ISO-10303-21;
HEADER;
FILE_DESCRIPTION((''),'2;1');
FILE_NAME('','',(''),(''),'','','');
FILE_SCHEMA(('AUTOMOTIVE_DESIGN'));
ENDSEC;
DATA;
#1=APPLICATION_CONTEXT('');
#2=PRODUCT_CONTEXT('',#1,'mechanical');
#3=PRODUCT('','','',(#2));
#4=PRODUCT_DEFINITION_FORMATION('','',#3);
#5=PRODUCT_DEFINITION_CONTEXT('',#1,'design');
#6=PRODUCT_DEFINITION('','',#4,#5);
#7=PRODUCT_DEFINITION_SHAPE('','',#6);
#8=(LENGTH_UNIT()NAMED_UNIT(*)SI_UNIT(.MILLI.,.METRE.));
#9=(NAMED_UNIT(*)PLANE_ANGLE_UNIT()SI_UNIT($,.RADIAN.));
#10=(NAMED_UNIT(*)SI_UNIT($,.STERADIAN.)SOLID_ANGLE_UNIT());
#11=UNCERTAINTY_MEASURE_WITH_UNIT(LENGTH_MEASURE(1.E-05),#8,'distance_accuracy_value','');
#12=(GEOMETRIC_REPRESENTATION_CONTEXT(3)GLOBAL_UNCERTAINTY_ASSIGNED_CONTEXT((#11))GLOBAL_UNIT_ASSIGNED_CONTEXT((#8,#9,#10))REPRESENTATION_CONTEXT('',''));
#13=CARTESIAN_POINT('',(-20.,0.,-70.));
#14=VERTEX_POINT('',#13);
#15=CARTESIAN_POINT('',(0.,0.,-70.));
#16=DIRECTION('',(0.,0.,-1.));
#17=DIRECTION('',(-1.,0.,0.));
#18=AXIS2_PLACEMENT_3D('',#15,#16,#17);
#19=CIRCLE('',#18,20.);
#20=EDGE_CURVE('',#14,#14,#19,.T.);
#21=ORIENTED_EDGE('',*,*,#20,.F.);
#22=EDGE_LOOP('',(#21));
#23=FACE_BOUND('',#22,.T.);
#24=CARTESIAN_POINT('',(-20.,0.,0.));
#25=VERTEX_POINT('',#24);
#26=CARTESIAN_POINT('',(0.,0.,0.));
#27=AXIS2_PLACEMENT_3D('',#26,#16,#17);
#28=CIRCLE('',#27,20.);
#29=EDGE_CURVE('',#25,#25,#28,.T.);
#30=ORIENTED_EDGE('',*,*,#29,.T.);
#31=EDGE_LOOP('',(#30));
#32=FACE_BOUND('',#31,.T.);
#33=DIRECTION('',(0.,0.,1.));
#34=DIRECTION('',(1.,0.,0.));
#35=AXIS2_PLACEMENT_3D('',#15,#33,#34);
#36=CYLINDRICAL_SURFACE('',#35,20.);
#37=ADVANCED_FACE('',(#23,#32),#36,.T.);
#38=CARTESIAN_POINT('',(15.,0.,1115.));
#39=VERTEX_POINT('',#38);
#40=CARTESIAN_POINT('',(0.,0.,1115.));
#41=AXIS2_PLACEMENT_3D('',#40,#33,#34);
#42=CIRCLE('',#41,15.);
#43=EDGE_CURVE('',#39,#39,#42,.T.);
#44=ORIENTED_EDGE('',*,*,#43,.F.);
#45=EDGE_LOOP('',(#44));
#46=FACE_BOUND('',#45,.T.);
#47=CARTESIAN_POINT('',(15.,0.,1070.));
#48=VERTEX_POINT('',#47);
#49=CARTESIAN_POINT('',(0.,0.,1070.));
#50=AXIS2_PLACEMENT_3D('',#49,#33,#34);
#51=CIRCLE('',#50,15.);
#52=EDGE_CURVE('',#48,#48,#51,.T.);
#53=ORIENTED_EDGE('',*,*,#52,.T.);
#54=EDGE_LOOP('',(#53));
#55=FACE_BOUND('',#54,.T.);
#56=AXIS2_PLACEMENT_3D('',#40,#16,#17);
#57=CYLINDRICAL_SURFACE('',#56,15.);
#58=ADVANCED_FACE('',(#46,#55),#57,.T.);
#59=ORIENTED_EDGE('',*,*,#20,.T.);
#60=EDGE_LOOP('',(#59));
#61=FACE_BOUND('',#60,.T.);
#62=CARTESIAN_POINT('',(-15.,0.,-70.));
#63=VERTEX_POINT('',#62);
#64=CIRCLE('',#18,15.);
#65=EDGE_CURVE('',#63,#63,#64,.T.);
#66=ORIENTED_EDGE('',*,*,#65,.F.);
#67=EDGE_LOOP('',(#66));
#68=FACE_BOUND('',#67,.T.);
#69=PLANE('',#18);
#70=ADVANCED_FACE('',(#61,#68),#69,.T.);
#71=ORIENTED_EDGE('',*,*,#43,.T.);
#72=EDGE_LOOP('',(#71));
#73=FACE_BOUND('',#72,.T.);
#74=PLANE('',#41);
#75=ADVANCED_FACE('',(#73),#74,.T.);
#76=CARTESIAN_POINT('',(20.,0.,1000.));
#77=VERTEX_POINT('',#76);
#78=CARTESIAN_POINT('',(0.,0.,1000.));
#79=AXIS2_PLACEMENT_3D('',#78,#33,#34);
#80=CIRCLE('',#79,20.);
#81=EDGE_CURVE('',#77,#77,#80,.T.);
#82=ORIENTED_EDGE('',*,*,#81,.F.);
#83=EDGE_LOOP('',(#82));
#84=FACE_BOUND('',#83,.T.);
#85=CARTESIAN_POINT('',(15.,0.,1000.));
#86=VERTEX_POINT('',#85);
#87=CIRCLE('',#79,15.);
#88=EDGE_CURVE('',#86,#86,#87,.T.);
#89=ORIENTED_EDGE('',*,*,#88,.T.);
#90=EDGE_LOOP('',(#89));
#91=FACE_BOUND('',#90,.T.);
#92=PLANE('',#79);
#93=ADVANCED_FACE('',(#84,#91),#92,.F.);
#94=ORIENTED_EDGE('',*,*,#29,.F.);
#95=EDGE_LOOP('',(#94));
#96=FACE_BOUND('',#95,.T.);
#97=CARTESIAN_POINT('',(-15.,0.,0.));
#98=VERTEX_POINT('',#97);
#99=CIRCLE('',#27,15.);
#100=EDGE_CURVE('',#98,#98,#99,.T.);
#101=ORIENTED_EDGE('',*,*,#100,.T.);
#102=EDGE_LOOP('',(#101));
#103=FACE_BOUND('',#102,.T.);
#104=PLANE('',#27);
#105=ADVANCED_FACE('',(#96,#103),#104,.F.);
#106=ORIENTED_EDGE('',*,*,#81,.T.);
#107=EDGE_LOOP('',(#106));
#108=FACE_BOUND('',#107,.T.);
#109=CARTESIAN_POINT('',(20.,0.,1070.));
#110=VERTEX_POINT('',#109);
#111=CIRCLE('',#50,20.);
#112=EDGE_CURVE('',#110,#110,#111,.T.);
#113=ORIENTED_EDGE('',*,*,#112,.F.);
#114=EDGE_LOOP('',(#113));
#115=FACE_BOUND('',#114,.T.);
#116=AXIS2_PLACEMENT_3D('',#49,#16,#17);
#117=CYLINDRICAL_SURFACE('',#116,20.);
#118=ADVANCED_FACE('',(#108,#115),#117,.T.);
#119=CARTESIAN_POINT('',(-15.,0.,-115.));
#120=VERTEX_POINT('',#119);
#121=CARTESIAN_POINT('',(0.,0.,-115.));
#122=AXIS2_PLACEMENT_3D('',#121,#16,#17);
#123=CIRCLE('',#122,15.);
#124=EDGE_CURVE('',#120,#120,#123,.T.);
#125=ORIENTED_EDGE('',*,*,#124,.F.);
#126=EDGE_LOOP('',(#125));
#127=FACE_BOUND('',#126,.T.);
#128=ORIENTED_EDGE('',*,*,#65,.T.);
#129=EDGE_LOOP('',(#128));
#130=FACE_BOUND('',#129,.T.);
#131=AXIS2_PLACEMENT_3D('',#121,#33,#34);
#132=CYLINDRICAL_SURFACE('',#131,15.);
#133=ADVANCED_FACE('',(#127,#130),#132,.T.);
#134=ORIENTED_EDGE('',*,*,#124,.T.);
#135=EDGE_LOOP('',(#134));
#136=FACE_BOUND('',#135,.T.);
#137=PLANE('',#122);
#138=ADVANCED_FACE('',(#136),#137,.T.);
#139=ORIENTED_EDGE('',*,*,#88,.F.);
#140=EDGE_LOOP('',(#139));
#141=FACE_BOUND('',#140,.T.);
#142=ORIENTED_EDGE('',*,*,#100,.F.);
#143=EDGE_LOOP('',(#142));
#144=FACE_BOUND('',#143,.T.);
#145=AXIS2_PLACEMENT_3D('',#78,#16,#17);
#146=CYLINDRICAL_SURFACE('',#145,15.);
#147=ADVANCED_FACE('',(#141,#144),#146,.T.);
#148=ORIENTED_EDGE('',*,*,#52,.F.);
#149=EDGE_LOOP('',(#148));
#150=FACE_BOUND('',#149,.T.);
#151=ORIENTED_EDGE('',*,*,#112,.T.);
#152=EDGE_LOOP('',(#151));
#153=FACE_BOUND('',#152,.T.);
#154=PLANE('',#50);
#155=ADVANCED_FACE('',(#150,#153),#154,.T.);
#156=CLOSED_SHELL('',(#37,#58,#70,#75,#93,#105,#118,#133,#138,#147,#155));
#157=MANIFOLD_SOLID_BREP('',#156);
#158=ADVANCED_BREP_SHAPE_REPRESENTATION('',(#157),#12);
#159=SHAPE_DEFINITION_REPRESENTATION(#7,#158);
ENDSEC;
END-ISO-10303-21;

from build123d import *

# Parameters (mm, degrees)
SKETCH1_R           = 15
BOSS_EXTRUDE1_DEPTH = 1000
SKETCH2_R           = 20
BOSS_EXTRUDE2_DEPTH = 70
SKETCH3_R           = 15
BOSS_EXTRUDE3_DEPTH = 45
SKETCH4_R           = 20
BOSS_EXTRUDE4_DEPTH = 70
SKETCH5_R           = 15
BOSS_EXTRUDE5_DEPTH = 45


with BuildPart() as part:
    # Sketch1 → Boss-Extrude1 (new body)
    with BuildSketch(Plane.XY):
        Circle(SKETCH1_R)
    extrude(amount=BOSS_EXTRUDE1_DEPTH)

    # Sketch2 → Boss-Extrude2 (add)
    with BuildSketch(Plane.XY.offset(1000)):
        Circle(SKETCH2_R)
    extrude(amount=BOSS_EXTRUDE2_DEPTH)

    # Sketch3 → Boss-Extrude3 (add)
    with BuildSketch(Plane.XY.offset(1070)):
        Circle(SKETCH3_R)
    extrude(amount=BOSS_EXTRUDE3_DEPTH)

    # Sketch4 → Boss-Extrude4 (add)
    with BuildSketch(Plane(origin=(0, 0, 0), x_dir=(-1, 0, 0), z_dir=(0, 0, -1))):
        Circle(SKETCH4_R)
    extrude(amount=BOSS_EXTRUDE4_DEPTH)

    # Sketch5 → Boss-Extrude5 (add)
    with BuildSketch(Plane(origin=(0, 0, -70), x_dir=(-1, 0, 0), z_dir=(0, 0, -1))):
        Circle(SKETCH5_R)
    extrude(amount=BOSS_EXTRUDE5_DEPTH)


solid = part.part
